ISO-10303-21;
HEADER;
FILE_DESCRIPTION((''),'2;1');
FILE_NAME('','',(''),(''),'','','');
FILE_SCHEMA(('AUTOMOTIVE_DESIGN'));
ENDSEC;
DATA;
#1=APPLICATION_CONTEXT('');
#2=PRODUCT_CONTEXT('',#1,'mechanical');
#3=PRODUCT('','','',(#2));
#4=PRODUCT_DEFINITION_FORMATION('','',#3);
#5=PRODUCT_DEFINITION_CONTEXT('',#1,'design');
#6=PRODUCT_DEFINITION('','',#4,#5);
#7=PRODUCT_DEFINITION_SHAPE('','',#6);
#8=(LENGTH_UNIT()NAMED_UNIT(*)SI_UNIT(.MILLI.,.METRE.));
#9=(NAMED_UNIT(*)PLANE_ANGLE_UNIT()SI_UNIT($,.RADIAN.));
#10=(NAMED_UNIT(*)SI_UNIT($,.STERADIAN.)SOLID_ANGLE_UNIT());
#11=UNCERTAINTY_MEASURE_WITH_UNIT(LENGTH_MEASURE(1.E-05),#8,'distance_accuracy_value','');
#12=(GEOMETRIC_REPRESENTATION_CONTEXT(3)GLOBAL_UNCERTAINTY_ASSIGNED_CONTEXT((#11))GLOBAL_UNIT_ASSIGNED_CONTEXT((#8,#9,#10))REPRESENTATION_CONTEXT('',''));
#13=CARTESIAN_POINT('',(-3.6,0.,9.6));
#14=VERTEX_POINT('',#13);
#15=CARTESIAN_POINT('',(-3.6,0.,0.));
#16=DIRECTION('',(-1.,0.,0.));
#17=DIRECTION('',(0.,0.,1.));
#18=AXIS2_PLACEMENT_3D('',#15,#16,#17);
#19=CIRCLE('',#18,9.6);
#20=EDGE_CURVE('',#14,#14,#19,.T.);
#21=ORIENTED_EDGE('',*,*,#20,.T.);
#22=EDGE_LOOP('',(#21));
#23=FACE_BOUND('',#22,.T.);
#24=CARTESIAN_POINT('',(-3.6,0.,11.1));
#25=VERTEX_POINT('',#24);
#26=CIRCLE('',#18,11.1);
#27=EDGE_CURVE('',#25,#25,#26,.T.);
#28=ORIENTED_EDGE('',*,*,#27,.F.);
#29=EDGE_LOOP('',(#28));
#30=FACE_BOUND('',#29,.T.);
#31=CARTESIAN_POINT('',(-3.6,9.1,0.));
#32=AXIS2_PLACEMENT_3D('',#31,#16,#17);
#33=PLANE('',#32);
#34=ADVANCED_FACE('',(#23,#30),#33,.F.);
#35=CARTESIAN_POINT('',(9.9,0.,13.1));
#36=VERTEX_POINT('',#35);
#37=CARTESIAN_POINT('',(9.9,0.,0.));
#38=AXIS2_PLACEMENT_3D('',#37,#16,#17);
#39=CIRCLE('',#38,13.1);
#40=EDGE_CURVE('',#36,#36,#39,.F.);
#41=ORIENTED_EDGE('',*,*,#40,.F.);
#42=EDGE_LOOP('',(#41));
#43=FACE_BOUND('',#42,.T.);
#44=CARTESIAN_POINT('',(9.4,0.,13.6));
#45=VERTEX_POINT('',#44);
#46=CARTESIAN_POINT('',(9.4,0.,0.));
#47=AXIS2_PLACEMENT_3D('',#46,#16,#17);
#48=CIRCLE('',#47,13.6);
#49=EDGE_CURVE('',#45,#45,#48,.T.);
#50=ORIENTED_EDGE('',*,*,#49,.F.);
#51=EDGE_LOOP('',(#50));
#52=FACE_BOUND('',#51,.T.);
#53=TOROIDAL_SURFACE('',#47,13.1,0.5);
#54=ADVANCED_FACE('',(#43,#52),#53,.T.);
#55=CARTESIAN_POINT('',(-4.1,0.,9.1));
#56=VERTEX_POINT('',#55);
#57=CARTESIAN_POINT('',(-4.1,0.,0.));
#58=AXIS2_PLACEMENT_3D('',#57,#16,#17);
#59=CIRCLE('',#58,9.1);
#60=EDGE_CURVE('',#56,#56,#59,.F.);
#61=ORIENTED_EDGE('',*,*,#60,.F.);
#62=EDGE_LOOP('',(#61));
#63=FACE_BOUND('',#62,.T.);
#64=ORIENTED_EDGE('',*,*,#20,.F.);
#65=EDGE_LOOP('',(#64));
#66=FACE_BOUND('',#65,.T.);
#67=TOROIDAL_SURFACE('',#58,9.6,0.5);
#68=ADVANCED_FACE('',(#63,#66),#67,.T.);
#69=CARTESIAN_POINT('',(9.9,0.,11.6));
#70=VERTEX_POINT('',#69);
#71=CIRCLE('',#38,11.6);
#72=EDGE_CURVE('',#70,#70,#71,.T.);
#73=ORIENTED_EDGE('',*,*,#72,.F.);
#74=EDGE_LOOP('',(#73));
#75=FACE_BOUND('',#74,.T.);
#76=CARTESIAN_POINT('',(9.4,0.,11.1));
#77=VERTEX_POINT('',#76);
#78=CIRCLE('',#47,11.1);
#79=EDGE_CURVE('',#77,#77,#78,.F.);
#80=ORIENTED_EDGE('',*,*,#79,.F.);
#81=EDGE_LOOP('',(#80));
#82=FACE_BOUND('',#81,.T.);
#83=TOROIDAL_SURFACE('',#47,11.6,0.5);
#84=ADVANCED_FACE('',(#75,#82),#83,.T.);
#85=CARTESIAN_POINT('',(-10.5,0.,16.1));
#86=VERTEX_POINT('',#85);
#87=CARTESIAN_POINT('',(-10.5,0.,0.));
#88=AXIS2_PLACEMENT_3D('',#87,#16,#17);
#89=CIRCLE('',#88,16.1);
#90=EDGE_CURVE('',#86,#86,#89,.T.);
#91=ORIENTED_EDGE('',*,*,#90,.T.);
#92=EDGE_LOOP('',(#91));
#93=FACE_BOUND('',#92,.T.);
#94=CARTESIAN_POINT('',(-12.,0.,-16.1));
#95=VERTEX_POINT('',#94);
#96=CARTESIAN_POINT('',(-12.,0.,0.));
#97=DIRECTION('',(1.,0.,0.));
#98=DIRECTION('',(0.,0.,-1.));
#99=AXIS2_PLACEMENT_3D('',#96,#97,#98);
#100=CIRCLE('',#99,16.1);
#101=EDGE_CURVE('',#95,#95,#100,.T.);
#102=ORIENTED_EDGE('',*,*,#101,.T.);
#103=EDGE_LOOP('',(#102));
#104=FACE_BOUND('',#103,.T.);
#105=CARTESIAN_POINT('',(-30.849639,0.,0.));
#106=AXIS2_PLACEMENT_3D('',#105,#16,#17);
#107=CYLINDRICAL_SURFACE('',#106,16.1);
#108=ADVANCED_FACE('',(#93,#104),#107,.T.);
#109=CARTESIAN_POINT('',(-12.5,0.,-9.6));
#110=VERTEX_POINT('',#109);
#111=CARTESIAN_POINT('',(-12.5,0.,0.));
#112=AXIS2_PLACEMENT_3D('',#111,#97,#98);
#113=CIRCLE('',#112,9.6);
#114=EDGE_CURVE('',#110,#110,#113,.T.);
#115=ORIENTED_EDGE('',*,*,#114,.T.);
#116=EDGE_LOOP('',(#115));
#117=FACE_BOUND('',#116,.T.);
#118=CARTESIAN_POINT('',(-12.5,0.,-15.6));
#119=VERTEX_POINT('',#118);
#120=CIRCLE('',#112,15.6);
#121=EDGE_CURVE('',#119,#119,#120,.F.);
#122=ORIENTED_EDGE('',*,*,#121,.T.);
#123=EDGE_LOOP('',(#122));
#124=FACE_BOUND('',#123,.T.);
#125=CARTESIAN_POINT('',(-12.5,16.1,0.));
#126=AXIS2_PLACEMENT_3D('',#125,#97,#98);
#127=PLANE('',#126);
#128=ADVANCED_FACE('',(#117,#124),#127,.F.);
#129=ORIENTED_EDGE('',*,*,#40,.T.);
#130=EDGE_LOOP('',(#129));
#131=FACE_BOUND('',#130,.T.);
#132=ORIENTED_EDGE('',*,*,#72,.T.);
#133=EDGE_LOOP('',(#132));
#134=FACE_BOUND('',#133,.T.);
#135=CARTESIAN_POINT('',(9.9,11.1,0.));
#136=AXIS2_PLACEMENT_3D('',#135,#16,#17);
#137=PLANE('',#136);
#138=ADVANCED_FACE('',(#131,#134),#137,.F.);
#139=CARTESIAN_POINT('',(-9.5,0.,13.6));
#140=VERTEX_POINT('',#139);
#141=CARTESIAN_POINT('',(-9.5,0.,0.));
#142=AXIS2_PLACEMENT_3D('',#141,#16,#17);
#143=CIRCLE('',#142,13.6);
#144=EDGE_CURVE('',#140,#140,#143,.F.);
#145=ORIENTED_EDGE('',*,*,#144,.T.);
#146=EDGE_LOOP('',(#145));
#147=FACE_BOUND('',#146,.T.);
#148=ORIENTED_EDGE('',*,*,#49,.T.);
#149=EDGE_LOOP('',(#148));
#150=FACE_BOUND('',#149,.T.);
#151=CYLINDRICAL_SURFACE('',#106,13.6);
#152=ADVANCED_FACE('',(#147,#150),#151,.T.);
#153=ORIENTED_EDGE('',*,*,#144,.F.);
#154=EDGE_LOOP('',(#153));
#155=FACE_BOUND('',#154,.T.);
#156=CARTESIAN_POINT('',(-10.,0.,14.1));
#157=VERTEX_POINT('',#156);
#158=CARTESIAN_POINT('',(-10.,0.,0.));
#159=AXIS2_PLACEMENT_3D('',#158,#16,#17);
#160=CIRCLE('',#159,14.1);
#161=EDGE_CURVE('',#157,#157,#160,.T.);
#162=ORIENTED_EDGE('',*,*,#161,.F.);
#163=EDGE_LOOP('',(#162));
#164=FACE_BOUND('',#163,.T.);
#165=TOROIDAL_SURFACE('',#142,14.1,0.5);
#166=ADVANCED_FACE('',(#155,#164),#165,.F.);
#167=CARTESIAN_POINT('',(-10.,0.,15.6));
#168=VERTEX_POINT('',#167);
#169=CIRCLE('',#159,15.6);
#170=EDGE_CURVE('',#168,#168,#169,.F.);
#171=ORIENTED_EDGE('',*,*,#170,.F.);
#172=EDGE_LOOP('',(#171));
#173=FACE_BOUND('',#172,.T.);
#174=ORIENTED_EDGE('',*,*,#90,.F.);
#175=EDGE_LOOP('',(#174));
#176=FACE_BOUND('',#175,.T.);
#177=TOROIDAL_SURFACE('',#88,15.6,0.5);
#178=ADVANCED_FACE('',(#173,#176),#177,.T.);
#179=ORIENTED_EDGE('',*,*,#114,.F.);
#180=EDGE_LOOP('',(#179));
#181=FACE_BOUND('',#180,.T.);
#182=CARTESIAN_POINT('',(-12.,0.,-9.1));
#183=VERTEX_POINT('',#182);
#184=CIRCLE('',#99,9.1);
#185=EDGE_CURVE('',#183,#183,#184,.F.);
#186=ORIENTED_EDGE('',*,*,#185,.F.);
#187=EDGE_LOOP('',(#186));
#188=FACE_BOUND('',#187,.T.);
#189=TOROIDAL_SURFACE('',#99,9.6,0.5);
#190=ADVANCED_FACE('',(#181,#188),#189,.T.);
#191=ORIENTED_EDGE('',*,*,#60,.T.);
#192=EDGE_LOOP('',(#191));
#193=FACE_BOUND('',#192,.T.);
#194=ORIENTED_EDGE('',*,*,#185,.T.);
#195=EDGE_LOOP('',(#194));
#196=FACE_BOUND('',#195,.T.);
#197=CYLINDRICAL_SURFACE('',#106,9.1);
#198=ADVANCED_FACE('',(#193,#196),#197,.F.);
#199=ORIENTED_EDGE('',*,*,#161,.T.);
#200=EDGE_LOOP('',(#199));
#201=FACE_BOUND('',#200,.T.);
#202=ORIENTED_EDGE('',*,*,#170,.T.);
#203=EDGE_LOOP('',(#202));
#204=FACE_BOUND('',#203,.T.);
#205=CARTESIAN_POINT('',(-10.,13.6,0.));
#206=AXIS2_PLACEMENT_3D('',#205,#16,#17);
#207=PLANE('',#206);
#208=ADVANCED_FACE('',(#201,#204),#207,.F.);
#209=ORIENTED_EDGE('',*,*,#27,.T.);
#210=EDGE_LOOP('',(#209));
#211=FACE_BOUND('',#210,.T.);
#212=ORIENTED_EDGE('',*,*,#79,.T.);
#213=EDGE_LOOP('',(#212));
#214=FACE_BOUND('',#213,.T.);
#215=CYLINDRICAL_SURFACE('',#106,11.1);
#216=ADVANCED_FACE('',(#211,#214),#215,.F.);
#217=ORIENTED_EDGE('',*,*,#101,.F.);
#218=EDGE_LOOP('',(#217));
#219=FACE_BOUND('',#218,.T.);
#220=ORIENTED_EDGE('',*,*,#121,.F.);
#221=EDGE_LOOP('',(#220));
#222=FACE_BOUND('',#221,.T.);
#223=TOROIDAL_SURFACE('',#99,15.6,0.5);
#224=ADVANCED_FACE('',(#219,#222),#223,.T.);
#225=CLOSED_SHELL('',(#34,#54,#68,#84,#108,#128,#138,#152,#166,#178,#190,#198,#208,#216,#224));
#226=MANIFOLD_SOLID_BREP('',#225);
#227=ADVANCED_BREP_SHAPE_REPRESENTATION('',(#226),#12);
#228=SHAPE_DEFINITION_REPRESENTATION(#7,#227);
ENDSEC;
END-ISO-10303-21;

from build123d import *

# Parameters (mm, degrees)
FILLET1_R = 0.5


with BuildPart() as part:
    # Sketch1 → Revolve1 (revolve)
    with BuildSketch(Plane.XY, mode=Mode.PRIVATE) as revolve1_sk:
        Polygon((-12.5, 16.1), (-12.5, 9.1), (-3.6, 9.1), (-3.6, 11.1), (9.9, 11.1), (9.9, 13.6), (-10, 13.6), (-10, 16.1), align=None)
    revolve(revolve1_sk.sketch.rotate(Axis((-30.849638619, 0, 0), (1, 0, 0)), 90), axis=Axis((-30.849638619, 0, 0), (1, 0, 0)))

    # Fillet1
    fillet1_edges = [part.edges().sort_by_distance(p)[0] for p in [
        (-12.5, 0, -16.1),
        (-10, 0, -16.1),
        (-10, 0, -13.6),
        (9.9, 0, -13.6),
        (9.9, 0, -11.1),
        (-3.6, 0, -9.1),
        (-12.5, 0, -9.1),
    ]]
    fillet(fillet1_edges, radius=FILLET1_R)


solid = part.part
